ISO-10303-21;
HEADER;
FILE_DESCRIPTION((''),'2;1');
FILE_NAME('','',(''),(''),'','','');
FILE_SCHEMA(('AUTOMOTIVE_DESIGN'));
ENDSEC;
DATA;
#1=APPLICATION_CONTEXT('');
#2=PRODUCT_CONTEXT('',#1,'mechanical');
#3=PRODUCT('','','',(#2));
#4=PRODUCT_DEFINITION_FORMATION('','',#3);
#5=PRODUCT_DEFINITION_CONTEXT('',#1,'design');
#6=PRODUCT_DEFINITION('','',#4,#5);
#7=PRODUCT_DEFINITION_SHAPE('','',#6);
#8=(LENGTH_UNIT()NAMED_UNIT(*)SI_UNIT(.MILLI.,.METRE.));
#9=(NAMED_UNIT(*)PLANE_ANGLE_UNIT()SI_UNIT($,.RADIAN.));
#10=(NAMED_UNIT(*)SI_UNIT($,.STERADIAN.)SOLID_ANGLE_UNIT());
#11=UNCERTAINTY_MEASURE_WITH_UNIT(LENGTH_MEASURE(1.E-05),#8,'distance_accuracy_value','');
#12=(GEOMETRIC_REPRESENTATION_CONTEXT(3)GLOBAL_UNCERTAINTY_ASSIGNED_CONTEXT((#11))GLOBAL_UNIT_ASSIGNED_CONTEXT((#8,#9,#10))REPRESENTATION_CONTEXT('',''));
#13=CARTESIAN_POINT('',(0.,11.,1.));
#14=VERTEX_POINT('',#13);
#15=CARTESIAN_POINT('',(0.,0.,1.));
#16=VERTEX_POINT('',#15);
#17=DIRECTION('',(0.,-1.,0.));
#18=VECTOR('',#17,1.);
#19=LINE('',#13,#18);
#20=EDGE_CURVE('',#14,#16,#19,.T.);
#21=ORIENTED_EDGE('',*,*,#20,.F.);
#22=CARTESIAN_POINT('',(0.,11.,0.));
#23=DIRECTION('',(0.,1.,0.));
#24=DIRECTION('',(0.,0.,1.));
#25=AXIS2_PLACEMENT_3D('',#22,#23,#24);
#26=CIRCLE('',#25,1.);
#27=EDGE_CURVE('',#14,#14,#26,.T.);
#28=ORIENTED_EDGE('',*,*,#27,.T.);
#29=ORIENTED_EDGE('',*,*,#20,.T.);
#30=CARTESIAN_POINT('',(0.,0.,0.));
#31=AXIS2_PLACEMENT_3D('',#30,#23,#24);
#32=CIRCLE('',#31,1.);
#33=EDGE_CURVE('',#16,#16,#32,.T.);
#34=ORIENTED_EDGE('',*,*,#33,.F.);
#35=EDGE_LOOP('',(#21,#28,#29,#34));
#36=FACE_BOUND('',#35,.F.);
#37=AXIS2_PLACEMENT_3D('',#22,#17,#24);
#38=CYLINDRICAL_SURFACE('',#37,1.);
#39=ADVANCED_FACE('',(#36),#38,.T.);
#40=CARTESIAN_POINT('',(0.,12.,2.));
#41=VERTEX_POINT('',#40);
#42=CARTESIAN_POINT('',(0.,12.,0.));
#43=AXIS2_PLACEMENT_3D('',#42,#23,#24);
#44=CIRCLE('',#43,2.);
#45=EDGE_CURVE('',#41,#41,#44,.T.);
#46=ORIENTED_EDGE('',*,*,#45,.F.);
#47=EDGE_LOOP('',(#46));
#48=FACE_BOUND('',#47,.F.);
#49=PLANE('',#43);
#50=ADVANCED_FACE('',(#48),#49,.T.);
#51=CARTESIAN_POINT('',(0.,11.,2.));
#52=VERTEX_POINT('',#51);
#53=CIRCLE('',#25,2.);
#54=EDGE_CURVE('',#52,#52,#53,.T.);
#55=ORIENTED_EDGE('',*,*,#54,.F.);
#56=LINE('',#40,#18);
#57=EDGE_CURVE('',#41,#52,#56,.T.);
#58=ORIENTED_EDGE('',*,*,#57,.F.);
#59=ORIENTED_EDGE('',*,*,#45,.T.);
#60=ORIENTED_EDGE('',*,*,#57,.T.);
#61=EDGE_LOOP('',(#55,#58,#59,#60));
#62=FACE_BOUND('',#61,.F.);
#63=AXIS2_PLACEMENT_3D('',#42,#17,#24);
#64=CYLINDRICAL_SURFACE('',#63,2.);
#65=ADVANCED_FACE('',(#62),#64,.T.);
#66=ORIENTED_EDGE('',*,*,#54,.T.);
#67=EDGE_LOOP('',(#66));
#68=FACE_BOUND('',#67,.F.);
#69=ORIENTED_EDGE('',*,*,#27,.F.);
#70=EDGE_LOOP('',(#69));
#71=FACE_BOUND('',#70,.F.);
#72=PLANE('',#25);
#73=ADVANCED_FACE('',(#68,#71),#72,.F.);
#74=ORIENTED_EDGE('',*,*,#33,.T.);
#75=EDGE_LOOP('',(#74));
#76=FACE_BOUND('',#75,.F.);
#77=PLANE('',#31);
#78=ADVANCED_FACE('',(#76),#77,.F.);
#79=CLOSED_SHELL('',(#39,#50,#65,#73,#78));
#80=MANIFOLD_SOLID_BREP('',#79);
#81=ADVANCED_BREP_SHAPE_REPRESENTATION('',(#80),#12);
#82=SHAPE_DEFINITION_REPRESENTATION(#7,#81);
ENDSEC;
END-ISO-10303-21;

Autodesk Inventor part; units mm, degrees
ref_plane "YZ Plane" through (0, 0, 0) normal (1, 0, 0) x (0, 1, 0)
ref_plane "XZ Plane" through (0, 0, 0) normal (0, 1, 0) x (-1, 0, 0)
ref_plane "XY Plane" through (0, 0, 0) normal (0, 0, 1) x (1, 0, 0)
sketch "Sketch1" plane through (0, 0, 0) normal (1, 0, 0) x (0, 1, 0)
  line L0 (0, 0) -> (11, 0)
  line L1 (11, 0) -> (11, 1)
  line L2 (11, 1) -> (0, 1)
  line L3 (0, 1) -> (0, 0)
  line L4 (11, 0) -> (12, 0)
  line L5 (12, 0) -> (12, 2)
  line L6 (12, 2) -> (11, 2)
  line L7 (11, 2) -> (11, 0)
  dimension "d0" = 11
  dimension "d1" = 1
  dimension "d2" = 1
  dimension "d3" = 2
revolve "Revolution1" add sketch "Sketch1" angle 360 about axis through (0, 0, 0) along (0, 1, 0)
properties part number "Arm_axel"
